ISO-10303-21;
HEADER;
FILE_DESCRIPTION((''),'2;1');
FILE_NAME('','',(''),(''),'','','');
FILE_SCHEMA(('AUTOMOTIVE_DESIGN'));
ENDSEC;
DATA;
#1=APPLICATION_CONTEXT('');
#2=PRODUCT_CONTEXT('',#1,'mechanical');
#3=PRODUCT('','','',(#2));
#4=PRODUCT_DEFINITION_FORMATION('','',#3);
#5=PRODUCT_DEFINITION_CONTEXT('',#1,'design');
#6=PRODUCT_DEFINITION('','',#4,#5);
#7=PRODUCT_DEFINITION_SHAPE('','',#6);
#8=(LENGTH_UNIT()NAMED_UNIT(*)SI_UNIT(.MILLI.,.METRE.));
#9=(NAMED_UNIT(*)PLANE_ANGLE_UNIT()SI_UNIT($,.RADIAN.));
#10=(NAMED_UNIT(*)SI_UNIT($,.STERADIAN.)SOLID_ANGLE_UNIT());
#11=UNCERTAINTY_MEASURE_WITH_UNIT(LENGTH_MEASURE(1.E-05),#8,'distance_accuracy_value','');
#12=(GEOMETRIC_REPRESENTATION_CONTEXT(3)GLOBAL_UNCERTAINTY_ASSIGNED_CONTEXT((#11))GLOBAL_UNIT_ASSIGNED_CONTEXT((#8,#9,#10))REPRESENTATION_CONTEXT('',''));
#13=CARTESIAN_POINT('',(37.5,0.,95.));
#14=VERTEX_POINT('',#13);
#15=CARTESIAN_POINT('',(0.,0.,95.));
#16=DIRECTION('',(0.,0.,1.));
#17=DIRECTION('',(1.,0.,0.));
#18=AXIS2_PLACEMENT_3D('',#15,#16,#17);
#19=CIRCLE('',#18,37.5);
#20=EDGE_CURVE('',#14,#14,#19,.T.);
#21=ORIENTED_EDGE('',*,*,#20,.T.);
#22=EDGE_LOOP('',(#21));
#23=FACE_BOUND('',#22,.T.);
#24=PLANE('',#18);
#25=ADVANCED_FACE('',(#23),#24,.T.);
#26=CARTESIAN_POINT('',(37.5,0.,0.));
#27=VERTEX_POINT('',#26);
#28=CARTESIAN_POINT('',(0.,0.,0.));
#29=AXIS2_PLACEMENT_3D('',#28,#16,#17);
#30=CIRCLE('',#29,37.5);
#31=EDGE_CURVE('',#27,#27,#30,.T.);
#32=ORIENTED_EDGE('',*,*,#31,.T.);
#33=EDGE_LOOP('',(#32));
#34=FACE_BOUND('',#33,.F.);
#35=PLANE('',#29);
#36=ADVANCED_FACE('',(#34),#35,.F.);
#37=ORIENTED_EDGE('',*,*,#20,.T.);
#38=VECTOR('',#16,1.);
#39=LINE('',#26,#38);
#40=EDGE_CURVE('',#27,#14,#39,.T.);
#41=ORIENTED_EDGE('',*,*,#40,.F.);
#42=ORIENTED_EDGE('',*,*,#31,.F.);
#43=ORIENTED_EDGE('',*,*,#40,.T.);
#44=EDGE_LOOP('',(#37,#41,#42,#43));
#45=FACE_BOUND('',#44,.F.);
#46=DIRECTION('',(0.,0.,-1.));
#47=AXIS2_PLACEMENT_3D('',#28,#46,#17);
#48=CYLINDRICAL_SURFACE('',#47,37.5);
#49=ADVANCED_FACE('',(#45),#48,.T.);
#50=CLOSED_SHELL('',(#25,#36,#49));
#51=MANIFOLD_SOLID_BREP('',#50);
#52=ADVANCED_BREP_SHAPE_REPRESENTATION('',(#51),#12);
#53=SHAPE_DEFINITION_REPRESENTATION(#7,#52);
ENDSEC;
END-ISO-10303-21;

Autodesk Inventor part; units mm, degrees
ref_plane "YZ Plane" through (0, 0, 0) normal (1, 0, 0) x (0, 1, 0)
ref_plane "XZ Plane" through (0, 0, 0) normal (0, 1, 0) x (-1, 0, 0)
ref_plane "XY Plane" through (0, 0, 0) normal (0, 0, 1) x (1, 0, 0)
sketch "Sketch1" plane through (0, 0, 0) normal (0, 0, 1) x (1, 0, 0)
  circle A0 centre (0, 0) radius 37.5
  dimension "d0" = 75
extrude "Extrusion1" add sketch "Sketch1" along normal blind 95
properties part number "Mass" material "Mass"
